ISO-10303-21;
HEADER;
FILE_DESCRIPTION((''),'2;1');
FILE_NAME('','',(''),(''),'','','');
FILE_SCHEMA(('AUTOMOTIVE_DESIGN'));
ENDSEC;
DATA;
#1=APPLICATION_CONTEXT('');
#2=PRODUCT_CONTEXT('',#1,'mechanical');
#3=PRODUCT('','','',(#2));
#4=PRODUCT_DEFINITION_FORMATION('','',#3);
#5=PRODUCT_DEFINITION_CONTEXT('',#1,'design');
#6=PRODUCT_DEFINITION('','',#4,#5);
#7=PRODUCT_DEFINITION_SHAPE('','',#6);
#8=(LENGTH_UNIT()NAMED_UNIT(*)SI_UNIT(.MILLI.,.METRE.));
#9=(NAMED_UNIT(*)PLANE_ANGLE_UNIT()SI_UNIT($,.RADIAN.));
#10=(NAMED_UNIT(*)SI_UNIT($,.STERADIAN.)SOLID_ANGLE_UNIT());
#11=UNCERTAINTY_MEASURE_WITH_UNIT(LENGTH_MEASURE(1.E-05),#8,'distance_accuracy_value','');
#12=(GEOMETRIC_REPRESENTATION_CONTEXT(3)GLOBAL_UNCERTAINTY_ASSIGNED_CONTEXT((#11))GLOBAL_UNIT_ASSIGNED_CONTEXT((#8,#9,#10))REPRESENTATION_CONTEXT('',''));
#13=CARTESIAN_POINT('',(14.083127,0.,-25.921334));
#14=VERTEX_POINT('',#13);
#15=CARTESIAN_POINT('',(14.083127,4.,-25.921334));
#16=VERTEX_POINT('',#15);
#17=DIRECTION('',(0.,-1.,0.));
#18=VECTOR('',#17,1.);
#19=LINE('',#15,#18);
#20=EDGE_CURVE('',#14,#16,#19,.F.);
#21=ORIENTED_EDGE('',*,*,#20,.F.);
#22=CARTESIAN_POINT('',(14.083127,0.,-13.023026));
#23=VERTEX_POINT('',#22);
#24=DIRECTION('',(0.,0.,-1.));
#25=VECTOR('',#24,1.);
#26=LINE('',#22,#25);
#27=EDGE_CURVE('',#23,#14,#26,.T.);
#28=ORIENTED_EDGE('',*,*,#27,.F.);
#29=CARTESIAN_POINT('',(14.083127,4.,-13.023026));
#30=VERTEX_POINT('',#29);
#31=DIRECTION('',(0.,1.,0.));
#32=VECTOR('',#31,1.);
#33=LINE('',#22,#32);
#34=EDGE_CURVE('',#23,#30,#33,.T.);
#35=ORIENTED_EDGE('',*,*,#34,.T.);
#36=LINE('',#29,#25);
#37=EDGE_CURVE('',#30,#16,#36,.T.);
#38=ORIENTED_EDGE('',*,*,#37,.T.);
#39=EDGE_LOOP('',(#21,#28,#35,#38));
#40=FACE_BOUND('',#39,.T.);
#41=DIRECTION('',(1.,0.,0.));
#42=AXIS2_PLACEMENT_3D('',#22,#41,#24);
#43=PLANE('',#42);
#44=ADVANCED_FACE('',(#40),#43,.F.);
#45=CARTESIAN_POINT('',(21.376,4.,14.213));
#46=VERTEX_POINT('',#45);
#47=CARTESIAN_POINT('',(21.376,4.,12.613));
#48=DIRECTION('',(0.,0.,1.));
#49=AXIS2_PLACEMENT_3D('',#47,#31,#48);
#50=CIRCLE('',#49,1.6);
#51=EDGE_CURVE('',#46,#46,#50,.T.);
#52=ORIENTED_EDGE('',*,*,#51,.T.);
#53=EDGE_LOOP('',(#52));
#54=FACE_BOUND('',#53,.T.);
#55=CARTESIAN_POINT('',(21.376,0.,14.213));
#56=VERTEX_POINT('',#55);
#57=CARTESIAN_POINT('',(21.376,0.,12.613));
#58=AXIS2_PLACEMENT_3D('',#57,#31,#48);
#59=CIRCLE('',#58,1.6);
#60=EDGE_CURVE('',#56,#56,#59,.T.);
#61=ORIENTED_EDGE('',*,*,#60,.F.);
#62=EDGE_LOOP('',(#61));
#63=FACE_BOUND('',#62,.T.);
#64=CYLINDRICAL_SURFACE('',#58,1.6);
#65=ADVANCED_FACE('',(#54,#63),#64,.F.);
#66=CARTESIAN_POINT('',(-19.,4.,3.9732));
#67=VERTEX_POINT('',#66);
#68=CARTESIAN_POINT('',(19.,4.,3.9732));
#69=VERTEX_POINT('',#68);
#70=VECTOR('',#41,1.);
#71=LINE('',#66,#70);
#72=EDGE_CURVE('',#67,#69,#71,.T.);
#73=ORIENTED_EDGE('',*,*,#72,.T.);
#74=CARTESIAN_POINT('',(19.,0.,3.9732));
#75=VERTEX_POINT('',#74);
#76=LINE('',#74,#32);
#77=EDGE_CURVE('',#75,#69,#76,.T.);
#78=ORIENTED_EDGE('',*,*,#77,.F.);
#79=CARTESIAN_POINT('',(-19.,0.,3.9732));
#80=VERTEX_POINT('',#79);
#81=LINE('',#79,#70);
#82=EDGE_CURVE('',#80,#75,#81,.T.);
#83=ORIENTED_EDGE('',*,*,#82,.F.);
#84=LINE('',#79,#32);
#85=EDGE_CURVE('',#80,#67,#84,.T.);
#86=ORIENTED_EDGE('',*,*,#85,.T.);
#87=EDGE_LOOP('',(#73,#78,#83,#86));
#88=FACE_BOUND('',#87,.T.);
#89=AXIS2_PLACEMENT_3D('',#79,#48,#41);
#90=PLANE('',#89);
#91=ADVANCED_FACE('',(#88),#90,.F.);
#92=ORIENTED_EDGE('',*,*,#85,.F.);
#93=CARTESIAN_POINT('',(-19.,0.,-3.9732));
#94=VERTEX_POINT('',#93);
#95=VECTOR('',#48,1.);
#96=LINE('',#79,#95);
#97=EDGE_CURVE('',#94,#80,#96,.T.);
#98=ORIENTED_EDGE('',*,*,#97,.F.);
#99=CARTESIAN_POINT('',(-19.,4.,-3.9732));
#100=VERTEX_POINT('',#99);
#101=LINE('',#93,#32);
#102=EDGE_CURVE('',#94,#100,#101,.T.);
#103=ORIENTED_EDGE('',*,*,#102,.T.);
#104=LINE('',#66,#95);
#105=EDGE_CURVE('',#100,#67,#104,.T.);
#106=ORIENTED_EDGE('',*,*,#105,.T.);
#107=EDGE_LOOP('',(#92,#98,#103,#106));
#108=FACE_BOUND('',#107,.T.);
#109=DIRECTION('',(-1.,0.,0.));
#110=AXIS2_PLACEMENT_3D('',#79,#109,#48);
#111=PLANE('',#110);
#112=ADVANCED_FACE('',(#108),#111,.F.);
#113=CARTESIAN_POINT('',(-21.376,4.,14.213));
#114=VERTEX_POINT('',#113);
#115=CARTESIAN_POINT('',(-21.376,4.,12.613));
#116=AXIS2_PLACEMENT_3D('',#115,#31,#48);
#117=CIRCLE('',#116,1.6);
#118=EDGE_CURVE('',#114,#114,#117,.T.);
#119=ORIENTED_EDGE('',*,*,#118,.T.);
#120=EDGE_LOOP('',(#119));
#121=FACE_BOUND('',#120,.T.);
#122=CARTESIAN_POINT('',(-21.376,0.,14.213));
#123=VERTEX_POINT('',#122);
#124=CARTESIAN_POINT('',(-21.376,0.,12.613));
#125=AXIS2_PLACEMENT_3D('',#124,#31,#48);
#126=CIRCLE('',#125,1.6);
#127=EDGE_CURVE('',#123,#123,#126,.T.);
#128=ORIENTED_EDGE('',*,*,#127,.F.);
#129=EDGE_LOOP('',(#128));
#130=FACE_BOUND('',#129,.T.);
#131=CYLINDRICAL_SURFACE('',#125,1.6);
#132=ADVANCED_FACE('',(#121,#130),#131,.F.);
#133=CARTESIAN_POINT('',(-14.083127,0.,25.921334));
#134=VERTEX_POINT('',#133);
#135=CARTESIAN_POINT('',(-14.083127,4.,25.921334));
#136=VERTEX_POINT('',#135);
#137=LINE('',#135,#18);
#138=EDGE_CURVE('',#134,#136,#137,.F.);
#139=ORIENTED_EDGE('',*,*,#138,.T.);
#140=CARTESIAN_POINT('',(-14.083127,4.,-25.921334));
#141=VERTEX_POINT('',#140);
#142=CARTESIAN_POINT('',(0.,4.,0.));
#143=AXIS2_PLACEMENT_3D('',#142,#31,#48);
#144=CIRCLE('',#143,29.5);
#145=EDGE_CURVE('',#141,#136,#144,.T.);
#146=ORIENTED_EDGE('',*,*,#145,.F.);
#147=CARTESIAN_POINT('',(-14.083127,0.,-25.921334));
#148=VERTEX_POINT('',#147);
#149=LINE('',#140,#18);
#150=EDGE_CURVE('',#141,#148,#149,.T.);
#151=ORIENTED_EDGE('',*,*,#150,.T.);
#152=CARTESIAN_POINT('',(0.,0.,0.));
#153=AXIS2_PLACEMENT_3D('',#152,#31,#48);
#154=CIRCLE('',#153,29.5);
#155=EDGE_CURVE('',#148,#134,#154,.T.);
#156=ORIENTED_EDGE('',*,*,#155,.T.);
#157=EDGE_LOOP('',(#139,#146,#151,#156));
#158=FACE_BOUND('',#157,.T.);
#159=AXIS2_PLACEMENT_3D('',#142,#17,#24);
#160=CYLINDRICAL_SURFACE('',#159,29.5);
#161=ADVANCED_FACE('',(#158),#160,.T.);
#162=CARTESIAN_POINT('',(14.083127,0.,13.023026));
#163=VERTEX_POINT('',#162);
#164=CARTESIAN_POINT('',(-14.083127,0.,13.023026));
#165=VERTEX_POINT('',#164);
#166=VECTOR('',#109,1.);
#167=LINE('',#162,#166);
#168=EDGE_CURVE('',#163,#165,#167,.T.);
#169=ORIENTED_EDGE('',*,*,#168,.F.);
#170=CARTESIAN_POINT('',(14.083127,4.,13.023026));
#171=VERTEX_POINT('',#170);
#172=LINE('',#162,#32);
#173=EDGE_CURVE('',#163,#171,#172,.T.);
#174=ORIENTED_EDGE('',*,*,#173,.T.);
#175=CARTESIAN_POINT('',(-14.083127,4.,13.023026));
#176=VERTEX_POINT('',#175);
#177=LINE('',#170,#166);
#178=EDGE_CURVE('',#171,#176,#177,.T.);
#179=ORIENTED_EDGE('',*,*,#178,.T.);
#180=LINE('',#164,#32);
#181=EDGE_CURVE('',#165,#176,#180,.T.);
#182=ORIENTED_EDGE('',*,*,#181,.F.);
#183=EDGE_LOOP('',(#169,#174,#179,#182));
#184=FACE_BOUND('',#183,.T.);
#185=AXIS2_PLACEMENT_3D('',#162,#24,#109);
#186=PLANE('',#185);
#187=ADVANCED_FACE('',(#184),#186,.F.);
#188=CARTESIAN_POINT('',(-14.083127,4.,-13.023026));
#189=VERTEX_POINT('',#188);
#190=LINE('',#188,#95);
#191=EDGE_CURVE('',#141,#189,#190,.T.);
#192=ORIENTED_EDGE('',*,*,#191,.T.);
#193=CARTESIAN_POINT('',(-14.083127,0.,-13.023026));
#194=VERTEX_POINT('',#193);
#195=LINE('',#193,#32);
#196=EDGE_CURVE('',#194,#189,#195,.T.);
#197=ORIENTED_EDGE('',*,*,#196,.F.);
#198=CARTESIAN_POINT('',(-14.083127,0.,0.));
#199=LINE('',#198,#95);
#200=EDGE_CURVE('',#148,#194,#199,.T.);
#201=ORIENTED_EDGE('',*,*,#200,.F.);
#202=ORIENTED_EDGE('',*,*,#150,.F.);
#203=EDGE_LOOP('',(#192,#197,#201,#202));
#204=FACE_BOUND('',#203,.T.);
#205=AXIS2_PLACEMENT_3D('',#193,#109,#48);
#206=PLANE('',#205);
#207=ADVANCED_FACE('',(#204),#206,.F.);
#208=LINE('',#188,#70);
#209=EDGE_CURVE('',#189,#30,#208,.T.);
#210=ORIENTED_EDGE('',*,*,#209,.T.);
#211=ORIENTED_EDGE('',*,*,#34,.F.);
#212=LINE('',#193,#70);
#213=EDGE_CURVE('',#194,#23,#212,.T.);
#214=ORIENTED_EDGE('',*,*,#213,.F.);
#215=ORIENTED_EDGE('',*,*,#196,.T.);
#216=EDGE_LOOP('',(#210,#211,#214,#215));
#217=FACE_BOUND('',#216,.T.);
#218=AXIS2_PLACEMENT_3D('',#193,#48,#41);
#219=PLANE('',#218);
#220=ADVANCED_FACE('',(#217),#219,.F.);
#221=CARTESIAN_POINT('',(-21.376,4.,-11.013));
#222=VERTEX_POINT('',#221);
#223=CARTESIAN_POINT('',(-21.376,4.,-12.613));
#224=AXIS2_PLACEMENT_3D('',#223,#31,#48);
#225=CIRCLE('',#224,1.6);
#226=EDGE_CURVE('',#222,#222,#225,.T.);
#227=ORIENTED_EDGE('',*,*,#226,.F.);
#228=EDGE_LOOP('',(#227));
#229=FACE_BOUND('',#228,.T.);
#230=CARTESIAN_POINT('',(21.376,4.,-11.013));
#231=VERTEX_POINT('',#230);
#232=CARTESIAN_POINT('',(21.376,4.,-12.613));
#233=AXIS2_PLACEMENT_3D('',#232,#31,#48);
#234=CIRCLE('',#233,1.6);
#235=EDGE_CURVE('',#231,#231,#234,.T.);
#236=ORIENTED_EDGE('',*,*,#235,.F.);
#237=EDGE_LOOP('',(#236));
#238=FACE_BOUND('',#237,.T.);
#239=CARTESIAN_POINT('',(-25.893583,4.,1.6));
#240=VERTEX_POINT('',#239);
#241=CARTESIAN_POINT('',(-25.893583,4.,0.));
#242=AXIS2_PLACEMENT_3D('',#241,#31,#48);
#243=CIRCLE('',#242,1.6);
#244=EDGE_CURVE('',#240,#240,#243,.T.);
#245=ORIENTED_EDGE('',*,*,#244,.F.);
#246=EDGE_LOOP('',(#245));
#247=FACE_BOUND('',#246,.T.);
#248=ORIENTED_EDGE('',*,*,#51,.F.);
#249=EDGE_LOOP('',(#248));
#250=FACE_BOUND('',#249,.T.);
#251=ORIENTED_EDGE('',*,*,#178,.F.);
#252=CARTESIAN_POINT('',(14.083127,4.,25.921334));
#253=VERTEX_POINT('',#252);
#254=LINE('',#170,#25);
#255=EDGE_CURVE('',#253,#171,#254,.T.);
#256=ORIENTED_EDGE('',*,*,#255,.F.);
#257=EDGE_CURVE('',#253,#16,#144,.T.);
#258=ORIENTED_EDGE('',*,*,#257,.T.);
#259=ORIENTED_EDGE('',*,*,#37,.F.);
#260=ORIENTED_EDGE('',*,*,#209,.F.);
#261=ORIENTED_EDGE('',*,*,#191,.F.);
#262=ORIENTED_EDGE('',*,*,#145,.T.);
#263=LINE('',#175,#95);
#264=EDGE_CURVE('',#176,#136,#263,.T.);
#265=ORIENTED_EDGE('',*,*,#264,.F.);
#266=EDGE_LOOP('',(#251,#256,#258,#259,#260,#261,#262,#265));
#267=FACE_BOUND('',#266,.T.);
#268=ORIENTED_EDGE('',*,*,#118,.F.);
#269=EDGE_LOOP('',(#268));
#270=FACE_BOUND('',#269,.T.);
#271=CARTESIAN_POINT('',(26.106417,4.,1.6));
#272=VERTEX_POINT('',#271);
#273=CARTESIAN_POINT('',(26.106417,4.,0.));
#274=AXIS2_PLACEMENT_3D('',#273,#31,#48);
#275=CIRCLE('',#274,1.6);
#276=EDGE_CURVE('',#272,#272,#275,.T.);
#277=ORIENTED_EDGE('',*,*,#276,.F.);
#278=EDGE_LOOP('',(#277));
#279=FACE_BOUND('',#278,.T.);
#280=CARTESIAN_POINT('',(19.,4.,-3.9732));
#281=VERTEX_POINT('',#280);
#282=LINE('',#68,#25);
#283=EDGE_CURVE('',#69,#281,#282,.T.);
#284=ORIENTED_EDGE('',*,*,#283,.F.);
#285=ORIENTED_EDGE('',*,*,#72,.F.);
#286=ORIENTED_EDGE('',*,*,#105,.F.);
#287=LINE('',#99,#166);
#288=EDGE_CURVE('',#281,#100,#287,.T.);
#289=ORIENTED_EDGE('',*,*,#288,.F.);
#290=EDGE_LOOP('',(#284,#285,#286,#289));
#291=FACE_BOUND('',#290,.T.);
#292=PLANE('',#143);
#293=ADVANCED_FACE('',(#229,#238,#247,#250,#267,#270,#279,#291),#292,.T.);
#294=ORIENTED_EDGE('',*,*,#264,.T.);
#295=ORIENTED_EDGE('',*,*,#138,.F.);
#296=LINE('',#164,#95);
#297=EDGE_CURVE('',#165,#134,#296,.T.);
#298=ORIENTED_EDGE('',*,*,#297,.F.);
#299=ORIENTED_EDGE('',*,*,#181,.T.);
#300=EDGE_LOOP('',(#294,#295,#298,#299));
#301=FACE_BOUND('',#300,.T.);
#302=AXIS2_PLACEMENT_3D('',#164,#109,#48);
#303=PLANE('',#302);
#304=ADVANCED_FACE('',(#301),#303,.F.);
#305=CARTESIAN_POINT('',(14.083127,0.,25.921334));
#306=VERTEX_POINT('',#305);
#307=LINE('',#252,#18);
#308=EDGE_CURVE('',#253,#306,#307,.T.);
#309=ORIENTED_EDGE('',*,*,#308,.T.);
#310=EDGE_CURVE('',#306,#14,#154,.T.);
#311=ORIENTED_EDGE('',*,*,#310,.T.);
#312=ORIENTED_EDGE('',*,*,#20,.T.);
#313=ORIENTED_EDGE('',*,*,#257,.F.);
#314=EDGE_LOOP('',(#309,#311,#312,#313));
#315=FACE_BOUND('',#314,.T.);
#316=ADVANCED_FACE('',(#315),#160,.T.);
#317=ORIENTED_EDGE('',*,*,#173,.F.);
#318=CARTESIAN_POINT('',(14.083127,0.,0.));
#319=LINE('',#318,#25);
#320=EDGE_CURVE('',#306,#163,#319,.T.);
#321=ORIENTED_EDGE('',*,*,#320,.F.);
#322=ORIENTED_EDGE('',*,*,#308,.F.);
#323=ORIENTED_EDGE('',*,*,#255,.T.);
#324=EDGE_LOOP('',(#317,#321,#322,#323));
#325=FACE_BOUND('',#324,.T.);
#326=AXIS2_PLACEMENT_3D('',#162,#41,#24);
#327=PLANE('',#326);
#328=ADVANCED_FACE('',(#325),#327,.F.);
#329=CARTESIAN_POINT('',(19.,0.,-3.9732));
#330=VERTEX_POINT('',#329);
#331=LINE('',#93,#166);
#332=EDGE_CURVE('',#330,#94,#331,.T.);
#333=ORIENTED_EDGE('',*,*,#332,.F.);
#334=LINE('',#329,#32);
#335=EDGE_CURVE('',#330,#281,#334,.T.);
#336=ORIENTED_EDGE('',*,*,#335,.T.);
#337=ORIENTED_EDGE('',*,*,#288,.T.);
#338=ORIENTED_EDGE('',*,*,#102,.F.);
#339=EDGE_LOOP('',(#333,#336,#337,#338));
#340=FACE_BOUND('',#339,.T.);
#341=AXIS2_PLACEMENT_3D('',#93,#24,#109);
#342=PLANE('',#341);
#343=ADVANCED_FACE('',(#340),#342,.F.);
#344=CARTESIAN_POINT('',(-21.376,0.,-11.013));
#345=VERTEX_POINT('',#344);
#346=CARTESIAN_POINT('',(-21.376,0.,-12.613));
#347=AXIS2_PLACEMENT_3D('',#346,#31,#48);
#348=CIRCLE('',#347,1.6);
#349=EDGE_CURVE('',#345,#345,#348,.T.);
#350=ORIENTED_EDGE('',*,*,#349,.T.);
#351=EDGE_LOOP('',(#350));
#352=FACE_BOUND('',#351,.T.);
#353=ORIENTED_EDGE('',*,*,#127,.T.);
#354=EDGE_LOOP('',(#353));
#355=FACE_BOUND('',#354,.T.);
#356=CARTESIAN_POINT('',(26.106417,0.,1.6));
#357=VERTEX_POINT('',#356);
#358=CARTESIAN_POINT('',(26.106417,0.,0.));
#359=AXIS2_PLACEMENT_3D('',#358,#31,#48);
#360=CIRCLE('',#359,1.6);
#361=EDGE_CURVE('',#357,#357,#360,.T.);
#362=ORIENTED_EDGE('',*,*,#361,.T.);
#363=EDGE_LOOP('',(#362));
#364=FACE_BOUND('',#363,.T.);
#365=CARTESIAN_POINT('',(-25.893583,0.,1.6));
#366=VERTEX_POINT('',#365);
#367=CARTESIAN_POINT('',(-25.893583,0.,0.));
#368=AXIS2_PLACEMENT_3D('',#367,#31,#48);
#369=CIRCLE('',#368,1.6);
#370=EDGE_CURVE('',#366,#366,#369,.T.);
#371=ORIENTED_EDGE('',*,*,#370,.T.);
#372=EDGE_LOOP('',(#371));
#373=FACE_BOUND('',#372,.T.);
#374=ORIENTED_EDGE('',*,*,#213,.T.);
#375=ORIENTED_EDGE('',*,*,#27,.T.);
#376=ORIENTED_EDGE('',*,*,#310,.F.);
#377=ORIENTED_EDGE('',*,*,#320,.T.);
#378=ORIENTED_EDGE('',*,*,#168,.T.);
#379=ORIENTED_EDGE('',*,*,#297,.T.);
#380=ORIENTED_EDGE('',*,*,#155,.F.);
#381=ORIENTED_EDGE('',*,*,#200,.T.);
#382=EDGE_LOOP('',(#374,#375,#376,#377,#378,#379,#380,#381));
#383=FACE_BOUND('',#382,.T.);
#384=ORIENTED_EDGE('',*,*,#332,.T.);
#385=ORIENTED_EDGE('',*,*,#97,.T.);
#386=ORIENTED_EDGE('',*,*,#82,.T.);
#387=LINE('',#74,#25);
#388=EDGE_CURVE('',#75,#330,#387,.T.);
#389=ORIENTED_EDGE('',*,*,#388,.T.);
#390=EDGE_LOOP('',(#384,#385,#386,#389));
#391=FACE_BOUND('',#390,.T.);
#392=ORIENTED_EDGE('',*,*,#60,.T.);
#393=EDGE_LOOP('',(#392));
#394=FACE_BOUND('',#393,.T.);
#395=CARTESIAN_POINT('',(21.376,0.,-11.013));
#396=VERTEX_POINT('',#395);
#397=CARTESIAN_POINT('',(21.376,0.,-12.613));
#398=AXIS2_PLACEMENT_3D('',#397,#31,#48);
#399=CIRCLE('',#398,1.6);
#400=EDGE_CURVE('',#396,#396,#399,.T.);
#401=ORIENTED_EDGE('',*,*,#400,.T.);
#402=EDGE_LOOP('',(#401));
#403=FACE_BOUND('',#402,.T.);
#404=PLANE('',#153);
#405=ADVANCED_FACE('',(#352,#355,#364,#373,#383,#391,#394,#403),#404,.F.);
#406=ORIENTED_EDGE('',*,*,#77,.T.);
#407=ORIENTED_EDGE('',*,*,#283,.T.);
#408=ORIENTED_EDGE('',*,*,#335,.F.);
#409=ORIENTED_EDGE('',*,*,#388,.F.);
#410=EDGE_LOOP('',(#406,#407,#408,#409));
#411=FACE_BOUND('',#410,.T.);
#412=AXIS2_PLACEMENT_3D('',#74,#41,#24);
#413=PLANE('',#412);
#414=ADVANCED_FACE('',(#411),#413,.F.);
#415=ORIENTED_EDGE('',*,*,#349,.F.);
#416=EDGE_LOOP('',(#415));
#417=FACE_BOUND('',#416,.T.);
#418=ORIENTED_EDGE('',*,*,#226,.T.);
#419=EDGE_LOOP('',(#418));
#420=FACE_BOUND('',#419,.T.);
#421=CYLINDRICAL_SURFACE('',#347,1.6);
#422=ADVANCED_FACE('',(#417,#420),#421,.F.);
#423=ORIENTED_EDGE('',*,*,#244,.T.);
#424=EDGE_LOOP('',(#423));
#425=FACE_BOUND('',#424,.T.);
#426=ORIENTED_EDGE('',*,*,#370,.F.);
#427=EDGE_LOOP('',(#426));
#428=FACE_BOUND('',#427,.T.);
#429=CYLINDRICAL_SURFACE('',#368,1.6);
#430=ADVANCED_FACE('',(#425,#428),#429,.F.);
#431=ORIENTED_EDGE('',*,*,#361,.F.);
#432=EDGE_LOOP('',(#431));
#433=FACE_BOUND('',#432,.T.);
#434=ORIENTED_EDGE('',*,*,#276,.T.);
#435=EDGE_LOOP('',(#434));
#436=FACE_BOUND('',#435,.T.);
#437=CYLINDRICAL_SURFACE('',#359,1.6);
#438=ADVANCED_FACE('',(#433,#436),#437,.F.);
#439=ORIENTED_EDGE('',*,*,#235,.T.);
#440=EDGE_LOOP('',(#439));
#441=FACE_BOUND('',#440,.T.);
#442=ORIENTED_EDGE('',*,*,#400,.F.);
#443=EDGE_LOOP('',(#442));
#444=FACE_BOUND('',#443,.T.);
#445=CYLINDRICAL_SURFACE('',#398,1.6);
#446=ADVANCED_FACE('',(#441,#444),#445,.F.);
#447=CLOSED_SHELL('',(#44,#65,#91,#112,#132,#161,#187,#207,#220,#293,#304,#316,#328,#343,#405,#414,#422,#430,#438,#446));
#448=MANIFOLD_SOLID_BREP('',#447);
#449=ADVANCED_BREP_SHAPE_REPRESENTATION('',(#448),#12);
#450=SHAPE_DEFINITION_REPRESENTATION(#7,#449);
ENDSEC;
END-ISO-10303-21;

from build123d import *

# Parameters (mm, degrees)
SKETCH_1_R          = 29.5
EXTRUDE_1_DEPTH     = 4
SKETCH_2_W          = 28.166253132
SKETCH_2_H          = 32.95394871
CUT_EXTRUDE_1_DEPTH = 42.910619179
SKETCH_3_W          = 38
SKETCH_3_H          = 7.946399408
CUT_EXTRUDE_2_DEPTH = 40.47360569
SKETCH_6_R          = 1.6
CUT_EXTRUDE_5_DEPTH = 40.47360569


with BuildPart() as part:
    # 草图1 → 凸台-拉伸1 (new body)
    with BuildSketch(Plane(origin=(0, 0, 0), x_dir=(1, 0, 0), z_dir=(0, 1, 0))):
        with Locations(Location((0, 0, 0), (0, 0, 270))):
            Circle(SKETCH_1_R)
    extrude(amount=EXTRUDE_1_DEPTH)

    # 草图2 → 切除-拉伸1 (cut, through all)
    with BuildSketch(Plane(origin=(0, 4, 0), x_dir=(1, 0, 0), z_dir=(0, 1, 0))):
        with Locations((0, 29.5)):
            Rectangle(SKETCH_2_W, SKETCH_2_H)
        with Locations((0, -29.5)):
            Rectangle(SKETCH_2_W, SKETCH_2_H)
    extrude(amount=-CUT_EXTRUDE_1_DEPTH, mode=Mode.SUBTRACT)

    # 草图3 → 切除-拉伸2 (cut, through all)
    with BuildSketch(Plane(origin=(0, 4, 0), x_dir=(1, 0, 0), z_dir=(0, 1, 0))):
        Rectangle(SKETCH_3_W, SKETCH_3_H)
    extrude(amount=-CUT_EXTRUDE_2_DEPTH, mode=Mode.SUBTRACT)

    # 草图6 → 切除-拉伸5 (cut, through all)
    with BuildSketch(Plane(origin=(0, 4, 0), x_dir=(1, 0, 0), z_dir=(0, 1, 0))):
        with Locations(Location((-25.893583016, 0, 0), (0, 0, 270))):
            Circle(SKETCH_6_R)
        with Locations(Location((26.106416984, 0, 0), (0, 0, 270))):
            Circle(SKETCH_6_R)
        with Locations(Location((-21.376, 12.613, 0), (0, 0, 270))):
            Circle(SKETCH_6_R)
        with Locations(Location((21.376, 12.613, 0), (0, 0, 270))):
            Circle(SKETCH_6_R)
        with Locations(Location((-21.376, -12.613, 0), (0, 0, 270))):
            Circle(SKETCH_6_R)
        with Locations(Location((21.376, -12.613, 0), (0, 0, 270))):
            Circle(SKETCH_6_R)
    extrude(amount=-CUT_EXTRUDE_5_DEPTH, mode=Mode.SUBTRACT)


solid = part.part
